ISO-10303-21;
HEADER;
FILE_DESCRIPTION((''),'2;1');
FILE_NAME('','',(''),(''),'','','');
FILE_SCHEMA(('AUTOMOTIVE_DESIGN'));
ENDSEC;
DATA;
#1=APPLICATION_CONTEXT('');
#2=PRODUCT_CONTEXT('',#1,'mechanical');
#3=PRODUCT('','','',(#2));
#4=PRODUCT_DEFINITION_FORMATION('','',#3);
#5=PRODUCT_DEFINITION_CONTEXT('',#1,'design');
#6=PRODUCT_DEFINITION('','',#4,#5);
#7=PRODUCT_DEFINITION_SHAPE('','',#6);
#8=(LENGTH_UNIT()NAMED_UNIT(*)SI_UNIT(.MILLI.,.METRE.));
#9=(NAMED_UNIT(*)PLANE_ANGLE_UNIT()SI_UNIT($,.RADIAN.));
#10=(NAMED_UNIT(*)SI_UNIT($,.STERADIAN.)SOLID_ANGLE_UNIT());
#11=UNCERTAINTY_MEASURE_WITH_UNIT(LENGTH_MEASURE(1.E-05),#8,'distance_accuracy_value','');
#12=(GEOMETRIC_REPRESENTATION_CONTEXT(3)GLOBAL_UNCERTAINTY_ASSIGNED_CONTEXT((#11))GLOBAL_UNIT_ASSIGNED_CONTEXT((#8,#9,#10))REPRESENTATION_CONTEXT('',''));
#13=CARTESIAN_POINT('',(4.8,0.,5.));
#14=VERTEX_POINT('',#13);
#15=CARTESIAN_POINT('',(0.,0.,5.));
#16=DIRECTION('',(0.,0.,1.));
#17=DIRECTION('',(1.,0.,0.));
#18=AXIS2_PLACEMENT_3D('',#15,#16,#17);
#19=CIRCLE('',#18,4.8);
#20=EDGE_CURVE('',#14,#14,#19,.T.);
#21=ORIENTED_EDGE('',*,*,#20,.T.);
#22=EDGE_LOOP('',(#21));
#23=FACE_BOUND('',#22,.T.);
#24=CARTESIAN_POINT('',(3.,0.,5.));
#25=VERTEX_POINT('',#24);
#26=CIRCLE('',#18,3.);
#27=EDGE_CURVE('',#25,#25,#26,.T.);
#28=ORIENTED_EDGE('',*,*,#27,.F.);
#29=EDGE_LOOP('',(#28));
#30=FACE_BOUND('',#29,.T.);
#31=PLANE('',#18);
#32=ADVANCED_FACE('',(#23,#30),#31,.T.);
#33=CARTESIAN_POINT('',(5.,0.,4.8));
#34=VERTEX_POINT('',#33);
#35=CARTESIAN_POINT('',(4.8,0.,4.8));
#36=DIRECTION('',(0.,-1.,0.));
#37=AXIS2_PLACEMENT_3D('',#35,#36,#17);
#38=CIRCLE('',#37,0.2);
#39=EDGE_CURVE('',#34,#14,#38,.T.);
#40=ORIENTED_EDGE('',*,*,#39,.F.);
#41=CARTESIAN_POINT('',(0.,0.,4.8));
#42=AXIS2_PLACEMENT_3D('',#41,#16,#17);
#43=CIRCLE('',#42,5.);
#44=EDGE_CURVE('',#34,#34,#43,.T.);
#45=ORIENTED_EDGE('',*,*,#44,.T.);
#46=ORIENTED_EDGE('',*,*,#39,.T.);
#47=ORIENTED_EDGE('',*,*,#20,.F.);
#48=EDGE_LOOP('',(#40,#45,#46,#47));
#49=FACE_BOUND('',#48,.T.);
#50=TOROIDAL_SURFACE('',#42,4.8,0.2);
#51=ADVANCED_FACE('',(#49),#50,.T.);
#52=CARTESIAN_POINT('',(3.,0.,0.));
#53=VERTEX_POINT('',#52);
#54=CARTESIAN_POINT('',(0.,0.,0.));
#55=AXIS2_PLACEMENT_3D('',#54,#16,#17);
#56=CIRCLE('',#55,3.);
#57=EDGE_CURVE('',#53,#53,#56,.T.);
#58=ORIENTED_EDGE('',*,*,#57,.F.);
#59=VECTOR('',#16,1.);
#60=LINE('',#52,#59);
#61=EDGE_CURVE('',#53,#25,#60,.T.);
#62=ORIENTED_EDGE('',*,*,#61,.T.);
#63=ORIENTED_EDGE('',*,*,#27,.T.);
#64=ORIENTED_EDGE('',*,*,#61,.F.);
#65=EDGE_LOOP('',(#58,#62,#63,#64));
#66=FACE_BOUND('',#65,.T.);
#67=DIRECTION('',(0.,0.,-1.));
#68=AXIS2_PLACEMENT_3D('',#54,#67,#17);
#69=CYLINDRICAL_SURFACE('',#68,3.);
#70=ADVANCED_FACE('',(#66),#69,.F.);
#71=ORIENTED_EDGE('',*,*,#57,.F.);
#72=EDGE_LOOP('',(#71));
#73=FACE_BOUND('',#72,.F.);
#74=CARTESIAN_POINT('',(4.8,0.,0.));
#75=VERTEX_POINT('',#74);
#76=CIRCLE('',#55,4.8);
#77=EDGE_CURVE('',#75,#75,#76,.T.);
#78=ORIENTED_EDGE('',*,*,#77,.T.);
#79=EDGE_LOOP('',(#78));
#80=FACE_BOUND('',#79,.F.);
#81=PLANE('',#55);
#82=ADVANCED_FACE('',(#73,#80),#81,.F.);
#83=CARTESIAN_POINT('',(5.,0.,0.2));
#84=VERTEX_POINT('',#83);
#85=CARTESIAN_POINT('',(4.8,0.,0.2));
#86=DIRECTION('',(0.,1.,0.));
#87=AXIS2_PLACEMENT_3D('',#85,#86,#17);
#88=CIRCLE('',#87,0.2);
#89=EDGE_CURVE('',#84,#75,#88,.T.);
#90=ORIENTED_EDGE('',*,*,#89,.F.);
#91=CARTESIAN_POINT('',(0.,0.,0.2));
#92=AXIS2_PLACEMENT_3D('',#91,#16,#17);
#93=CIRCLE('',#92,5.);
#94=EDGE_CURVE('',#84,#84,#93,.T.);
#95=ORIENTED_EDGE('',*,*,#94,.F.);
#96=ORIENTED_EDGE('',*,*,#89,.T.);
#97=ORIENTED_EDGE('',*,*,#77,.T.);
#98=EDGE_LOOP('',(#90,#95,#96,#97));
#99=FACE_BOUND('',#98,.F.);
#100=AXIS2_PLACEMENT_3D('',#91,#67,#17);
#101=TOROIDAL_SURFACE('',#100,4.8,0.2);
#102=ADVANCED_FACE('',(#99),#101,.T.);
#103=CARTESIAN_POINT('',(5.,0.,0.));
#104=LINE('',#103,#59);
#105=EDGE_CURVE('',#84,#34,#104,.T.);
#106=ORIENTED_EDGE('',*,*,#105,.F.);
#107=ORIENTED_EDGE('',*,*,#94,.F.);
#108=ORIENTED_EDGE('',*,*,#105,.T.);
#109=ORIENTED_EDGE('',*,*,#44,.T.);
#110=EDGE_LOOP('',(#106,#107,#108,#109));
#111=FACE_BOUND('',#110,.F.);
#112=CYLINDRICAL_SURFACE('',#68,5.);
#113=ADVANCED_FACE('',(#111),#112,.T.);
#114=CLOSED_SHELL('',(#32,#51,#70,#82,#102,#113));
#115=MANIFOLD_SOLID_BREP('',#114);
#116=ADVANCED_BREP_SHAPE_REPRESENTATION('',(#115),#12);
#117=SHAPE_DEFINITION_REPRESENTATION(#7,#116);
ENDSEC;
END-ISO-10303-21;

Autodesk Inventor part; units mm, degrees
ref_plane "YZ Plane" through (0, 0, 0) normal (1, 0, 0) x (0, 1, 0)
ref_plane "XZ Plane" through (0, 0, 0) normal (0, 1, 0) x (-1, 0, 0)
ref_plane "XY Plane" through (0, 0, 0) normal (0, 0, 1) x (1, 0, 0)
sketch "スケッチ1" plane through (0, 0, 0) normal (0, 0, 1) x (1, 0, 0)
  circle A0 centre (0, 0) radius 5
  circle A1 centre (0, 0) radius 3
  dimension "d0" = 10
  dimension "d1" = 6
extrude "押し出し1" add sketch "スケッチ1" along normal blind 5
fillet "フィレット1" radius 0.2 2 edges at (-5, 0, 0) (-5, 0, 5)
properties part number "スペーサーM6L5アルミ" material "アルミニウム 2014-T4"
